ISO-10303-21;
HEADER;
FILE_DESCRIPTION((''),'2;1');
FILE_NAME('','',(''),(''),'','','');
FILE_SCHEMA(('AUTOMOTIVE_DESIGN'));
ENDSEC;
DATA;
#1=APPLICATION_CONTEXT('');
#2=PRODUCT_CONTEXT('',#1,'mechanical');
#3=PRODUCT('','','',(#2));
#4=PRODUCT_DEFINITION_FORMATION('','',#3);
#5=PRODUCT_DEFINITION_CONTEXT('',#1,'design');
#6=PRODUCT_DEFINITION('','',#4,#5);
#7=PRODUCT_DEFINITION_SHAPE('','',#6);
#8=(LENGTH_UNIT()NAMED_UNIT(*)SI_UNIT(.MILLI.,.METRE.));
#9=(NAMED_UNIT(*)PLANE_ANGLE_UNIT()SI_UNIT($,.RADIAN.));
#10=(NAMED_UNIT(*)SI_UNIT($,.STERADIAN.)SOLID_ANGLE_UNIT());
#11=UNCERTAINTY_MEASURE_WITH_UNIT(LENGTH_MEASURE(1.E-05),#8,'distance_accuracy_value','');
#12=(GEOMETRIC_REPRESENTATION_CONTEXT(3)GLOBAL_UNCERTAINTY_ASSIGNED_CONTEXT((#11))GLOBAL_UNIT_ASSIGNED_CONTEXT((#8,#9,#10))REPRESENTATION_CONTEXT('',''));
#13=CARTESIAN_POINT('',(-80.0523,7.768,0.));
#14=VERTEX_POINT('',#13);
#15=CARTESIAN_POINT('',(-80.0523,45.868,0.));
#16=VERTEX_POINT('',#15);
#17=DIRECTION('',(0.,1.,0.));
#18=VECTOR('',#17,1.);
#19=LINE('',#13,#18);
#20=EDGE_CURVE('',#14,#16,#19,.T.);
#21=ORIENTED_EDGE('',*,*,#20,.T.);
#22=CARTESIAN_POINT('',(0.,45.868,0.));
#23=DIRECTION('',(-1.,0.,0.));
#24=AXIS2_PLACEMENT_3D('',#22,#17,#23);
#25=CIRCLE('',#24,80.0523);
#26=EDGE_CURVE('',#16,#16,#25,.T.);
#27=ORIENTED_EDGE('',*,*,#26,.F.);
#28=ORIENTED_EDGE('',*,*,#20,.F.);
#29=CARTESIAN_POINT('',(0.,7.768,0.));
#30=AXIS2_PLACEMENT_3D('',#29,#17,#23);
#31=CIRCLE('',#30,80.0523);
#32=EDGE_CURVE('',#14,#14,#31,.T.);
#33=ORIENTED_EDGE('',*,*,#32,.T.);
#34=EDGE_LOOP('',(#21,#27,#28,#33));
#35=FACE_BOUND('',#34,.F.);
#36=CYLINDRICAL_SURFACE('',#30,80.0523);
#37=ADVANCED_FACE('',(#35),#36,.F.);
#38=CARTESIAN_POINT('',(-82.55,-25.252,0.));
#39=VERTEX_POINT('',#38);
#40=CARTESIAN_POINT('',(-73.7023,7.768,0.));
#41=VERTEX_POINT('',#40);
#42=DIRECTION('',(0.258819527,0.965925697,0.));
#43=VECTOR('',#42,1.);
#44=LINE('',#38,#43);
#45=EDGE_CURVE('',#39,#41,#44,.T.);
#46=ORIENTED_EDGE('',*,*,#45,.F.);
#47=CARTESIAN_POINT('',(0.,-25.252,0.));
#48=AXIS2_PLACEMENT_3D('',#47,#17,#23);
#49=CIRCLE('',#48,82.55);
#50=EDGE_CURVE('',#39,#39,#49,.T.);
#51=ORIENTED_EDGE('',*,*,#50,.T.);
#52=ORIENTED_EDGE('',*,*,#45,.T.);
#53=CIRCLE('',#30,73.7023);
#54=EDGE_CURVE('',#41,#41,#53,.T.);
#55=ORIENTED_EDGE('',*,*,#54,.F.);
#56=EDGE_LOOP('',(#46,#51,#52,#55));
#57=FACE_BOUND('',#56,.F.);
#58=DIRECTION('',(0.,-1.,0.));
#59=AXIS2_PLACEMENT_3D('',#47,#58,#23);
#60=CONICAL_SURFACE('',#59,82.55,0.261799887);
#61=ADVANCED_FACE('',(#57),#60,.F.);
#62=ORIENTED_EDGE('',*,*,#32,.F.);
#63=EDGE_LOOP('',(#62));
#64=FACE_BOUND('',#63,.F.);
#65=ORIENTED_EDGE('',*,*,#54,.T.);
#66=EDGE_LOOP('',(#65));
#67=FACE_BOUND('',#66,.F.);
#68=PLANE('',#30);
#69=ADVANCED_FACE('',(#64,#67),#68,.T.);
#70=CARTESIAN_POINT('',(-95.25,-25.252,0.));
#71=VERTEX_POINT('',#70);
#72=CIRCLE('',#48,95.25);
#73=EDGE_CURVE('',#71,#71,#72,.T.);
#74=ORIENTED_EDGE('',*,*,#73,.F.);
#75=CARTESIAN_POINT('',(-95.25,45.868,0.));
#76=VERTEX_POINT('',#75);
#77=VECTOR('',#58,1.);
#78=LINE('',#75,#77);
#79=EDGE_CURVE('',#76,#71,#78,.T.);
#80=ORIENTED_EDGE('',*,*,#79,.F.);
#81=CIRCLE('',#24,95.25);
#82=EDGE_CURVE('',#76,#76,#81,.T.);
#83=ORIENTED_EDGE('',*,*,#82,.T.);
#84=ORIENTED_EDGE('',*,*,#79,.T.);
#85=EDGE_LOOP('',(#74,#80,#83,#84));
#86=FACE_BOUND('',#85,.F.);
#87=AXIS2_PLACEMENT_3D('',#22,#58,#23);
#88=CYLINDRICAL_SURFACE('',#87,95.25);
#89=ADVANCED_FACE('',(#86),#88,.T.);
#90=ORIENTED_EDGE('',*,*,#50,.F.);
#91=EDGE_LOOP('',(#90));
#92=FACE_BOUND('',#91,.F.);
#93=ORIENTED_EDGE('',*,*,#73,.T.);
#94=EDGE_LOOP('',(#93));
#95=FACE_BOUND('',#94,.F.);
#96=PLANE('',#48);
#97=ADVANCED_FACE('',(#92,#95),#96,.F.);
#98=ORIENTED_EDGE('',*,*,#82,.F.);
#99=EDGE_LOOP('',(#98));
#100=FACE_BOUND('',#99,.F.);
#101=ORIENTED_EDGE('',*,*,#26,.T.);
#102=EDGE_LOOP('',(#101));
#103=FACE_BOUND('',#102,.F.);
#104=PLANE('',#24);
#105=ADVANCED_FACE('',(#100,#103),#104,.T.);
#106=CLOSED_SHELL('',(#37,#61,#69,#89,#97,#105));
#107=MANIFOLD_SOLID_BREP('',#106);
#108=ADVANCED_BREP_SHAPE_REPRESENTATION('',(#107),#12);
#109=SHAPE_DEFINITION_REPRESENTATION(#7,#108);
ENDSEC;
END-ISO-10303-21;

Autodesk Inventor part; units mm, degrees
ref_plane "YZ Plane" through (0, 0, 0) normal (1, 0, 0) x (0, 1, 0)
ref_plane "XZ Plane" through (0, 0, 0) normal (0, 1, 0) x (-1, 0, 0)
ref_plane "XY Plane" through (0, 0, 0) normal (0, 0, 1) x (1, 0, 0)
sketch "Sketch1" plane through (0, 0, 0) normal (0, 0, 1) x (1, 0, 0)
  line L0 (-95.25, -25.252) -> (-82.55, -25.252)
  line L1 (-82.55, -25.252) -> (-73.7023, 7.768)
  line L2 (-73.7023, 7.768) -> (-80.0523, 7.768)
  line L3 (-80.0523, 7.768) -> (-80.0523, 45.868)
  line L4 (-80.0523, 45.868) -> (-95.25, 45.868)
  line L5 (-95.25, 45.868) -> (-95.25, -25.252)
  line L6 (0, -39.476) -> (0, 60.092) projected
  point P0 (0, 0)
  dimension "d0" = 12.7
  dimension "d2" = 105
  dimension "d3" = 82.55
  dimension "d4" = 6.35
  dimension "d5" = 71.12
  dimension "d6" = 38.1
  dimension "d7" = 15.1977
  dimension "d10" = 73.7023
revolve "Revolution1" add sketch "Sketch1" angle 360 about axis through (0, -10, 0) along (0, 1, 0)
properties part number "Skirt"
